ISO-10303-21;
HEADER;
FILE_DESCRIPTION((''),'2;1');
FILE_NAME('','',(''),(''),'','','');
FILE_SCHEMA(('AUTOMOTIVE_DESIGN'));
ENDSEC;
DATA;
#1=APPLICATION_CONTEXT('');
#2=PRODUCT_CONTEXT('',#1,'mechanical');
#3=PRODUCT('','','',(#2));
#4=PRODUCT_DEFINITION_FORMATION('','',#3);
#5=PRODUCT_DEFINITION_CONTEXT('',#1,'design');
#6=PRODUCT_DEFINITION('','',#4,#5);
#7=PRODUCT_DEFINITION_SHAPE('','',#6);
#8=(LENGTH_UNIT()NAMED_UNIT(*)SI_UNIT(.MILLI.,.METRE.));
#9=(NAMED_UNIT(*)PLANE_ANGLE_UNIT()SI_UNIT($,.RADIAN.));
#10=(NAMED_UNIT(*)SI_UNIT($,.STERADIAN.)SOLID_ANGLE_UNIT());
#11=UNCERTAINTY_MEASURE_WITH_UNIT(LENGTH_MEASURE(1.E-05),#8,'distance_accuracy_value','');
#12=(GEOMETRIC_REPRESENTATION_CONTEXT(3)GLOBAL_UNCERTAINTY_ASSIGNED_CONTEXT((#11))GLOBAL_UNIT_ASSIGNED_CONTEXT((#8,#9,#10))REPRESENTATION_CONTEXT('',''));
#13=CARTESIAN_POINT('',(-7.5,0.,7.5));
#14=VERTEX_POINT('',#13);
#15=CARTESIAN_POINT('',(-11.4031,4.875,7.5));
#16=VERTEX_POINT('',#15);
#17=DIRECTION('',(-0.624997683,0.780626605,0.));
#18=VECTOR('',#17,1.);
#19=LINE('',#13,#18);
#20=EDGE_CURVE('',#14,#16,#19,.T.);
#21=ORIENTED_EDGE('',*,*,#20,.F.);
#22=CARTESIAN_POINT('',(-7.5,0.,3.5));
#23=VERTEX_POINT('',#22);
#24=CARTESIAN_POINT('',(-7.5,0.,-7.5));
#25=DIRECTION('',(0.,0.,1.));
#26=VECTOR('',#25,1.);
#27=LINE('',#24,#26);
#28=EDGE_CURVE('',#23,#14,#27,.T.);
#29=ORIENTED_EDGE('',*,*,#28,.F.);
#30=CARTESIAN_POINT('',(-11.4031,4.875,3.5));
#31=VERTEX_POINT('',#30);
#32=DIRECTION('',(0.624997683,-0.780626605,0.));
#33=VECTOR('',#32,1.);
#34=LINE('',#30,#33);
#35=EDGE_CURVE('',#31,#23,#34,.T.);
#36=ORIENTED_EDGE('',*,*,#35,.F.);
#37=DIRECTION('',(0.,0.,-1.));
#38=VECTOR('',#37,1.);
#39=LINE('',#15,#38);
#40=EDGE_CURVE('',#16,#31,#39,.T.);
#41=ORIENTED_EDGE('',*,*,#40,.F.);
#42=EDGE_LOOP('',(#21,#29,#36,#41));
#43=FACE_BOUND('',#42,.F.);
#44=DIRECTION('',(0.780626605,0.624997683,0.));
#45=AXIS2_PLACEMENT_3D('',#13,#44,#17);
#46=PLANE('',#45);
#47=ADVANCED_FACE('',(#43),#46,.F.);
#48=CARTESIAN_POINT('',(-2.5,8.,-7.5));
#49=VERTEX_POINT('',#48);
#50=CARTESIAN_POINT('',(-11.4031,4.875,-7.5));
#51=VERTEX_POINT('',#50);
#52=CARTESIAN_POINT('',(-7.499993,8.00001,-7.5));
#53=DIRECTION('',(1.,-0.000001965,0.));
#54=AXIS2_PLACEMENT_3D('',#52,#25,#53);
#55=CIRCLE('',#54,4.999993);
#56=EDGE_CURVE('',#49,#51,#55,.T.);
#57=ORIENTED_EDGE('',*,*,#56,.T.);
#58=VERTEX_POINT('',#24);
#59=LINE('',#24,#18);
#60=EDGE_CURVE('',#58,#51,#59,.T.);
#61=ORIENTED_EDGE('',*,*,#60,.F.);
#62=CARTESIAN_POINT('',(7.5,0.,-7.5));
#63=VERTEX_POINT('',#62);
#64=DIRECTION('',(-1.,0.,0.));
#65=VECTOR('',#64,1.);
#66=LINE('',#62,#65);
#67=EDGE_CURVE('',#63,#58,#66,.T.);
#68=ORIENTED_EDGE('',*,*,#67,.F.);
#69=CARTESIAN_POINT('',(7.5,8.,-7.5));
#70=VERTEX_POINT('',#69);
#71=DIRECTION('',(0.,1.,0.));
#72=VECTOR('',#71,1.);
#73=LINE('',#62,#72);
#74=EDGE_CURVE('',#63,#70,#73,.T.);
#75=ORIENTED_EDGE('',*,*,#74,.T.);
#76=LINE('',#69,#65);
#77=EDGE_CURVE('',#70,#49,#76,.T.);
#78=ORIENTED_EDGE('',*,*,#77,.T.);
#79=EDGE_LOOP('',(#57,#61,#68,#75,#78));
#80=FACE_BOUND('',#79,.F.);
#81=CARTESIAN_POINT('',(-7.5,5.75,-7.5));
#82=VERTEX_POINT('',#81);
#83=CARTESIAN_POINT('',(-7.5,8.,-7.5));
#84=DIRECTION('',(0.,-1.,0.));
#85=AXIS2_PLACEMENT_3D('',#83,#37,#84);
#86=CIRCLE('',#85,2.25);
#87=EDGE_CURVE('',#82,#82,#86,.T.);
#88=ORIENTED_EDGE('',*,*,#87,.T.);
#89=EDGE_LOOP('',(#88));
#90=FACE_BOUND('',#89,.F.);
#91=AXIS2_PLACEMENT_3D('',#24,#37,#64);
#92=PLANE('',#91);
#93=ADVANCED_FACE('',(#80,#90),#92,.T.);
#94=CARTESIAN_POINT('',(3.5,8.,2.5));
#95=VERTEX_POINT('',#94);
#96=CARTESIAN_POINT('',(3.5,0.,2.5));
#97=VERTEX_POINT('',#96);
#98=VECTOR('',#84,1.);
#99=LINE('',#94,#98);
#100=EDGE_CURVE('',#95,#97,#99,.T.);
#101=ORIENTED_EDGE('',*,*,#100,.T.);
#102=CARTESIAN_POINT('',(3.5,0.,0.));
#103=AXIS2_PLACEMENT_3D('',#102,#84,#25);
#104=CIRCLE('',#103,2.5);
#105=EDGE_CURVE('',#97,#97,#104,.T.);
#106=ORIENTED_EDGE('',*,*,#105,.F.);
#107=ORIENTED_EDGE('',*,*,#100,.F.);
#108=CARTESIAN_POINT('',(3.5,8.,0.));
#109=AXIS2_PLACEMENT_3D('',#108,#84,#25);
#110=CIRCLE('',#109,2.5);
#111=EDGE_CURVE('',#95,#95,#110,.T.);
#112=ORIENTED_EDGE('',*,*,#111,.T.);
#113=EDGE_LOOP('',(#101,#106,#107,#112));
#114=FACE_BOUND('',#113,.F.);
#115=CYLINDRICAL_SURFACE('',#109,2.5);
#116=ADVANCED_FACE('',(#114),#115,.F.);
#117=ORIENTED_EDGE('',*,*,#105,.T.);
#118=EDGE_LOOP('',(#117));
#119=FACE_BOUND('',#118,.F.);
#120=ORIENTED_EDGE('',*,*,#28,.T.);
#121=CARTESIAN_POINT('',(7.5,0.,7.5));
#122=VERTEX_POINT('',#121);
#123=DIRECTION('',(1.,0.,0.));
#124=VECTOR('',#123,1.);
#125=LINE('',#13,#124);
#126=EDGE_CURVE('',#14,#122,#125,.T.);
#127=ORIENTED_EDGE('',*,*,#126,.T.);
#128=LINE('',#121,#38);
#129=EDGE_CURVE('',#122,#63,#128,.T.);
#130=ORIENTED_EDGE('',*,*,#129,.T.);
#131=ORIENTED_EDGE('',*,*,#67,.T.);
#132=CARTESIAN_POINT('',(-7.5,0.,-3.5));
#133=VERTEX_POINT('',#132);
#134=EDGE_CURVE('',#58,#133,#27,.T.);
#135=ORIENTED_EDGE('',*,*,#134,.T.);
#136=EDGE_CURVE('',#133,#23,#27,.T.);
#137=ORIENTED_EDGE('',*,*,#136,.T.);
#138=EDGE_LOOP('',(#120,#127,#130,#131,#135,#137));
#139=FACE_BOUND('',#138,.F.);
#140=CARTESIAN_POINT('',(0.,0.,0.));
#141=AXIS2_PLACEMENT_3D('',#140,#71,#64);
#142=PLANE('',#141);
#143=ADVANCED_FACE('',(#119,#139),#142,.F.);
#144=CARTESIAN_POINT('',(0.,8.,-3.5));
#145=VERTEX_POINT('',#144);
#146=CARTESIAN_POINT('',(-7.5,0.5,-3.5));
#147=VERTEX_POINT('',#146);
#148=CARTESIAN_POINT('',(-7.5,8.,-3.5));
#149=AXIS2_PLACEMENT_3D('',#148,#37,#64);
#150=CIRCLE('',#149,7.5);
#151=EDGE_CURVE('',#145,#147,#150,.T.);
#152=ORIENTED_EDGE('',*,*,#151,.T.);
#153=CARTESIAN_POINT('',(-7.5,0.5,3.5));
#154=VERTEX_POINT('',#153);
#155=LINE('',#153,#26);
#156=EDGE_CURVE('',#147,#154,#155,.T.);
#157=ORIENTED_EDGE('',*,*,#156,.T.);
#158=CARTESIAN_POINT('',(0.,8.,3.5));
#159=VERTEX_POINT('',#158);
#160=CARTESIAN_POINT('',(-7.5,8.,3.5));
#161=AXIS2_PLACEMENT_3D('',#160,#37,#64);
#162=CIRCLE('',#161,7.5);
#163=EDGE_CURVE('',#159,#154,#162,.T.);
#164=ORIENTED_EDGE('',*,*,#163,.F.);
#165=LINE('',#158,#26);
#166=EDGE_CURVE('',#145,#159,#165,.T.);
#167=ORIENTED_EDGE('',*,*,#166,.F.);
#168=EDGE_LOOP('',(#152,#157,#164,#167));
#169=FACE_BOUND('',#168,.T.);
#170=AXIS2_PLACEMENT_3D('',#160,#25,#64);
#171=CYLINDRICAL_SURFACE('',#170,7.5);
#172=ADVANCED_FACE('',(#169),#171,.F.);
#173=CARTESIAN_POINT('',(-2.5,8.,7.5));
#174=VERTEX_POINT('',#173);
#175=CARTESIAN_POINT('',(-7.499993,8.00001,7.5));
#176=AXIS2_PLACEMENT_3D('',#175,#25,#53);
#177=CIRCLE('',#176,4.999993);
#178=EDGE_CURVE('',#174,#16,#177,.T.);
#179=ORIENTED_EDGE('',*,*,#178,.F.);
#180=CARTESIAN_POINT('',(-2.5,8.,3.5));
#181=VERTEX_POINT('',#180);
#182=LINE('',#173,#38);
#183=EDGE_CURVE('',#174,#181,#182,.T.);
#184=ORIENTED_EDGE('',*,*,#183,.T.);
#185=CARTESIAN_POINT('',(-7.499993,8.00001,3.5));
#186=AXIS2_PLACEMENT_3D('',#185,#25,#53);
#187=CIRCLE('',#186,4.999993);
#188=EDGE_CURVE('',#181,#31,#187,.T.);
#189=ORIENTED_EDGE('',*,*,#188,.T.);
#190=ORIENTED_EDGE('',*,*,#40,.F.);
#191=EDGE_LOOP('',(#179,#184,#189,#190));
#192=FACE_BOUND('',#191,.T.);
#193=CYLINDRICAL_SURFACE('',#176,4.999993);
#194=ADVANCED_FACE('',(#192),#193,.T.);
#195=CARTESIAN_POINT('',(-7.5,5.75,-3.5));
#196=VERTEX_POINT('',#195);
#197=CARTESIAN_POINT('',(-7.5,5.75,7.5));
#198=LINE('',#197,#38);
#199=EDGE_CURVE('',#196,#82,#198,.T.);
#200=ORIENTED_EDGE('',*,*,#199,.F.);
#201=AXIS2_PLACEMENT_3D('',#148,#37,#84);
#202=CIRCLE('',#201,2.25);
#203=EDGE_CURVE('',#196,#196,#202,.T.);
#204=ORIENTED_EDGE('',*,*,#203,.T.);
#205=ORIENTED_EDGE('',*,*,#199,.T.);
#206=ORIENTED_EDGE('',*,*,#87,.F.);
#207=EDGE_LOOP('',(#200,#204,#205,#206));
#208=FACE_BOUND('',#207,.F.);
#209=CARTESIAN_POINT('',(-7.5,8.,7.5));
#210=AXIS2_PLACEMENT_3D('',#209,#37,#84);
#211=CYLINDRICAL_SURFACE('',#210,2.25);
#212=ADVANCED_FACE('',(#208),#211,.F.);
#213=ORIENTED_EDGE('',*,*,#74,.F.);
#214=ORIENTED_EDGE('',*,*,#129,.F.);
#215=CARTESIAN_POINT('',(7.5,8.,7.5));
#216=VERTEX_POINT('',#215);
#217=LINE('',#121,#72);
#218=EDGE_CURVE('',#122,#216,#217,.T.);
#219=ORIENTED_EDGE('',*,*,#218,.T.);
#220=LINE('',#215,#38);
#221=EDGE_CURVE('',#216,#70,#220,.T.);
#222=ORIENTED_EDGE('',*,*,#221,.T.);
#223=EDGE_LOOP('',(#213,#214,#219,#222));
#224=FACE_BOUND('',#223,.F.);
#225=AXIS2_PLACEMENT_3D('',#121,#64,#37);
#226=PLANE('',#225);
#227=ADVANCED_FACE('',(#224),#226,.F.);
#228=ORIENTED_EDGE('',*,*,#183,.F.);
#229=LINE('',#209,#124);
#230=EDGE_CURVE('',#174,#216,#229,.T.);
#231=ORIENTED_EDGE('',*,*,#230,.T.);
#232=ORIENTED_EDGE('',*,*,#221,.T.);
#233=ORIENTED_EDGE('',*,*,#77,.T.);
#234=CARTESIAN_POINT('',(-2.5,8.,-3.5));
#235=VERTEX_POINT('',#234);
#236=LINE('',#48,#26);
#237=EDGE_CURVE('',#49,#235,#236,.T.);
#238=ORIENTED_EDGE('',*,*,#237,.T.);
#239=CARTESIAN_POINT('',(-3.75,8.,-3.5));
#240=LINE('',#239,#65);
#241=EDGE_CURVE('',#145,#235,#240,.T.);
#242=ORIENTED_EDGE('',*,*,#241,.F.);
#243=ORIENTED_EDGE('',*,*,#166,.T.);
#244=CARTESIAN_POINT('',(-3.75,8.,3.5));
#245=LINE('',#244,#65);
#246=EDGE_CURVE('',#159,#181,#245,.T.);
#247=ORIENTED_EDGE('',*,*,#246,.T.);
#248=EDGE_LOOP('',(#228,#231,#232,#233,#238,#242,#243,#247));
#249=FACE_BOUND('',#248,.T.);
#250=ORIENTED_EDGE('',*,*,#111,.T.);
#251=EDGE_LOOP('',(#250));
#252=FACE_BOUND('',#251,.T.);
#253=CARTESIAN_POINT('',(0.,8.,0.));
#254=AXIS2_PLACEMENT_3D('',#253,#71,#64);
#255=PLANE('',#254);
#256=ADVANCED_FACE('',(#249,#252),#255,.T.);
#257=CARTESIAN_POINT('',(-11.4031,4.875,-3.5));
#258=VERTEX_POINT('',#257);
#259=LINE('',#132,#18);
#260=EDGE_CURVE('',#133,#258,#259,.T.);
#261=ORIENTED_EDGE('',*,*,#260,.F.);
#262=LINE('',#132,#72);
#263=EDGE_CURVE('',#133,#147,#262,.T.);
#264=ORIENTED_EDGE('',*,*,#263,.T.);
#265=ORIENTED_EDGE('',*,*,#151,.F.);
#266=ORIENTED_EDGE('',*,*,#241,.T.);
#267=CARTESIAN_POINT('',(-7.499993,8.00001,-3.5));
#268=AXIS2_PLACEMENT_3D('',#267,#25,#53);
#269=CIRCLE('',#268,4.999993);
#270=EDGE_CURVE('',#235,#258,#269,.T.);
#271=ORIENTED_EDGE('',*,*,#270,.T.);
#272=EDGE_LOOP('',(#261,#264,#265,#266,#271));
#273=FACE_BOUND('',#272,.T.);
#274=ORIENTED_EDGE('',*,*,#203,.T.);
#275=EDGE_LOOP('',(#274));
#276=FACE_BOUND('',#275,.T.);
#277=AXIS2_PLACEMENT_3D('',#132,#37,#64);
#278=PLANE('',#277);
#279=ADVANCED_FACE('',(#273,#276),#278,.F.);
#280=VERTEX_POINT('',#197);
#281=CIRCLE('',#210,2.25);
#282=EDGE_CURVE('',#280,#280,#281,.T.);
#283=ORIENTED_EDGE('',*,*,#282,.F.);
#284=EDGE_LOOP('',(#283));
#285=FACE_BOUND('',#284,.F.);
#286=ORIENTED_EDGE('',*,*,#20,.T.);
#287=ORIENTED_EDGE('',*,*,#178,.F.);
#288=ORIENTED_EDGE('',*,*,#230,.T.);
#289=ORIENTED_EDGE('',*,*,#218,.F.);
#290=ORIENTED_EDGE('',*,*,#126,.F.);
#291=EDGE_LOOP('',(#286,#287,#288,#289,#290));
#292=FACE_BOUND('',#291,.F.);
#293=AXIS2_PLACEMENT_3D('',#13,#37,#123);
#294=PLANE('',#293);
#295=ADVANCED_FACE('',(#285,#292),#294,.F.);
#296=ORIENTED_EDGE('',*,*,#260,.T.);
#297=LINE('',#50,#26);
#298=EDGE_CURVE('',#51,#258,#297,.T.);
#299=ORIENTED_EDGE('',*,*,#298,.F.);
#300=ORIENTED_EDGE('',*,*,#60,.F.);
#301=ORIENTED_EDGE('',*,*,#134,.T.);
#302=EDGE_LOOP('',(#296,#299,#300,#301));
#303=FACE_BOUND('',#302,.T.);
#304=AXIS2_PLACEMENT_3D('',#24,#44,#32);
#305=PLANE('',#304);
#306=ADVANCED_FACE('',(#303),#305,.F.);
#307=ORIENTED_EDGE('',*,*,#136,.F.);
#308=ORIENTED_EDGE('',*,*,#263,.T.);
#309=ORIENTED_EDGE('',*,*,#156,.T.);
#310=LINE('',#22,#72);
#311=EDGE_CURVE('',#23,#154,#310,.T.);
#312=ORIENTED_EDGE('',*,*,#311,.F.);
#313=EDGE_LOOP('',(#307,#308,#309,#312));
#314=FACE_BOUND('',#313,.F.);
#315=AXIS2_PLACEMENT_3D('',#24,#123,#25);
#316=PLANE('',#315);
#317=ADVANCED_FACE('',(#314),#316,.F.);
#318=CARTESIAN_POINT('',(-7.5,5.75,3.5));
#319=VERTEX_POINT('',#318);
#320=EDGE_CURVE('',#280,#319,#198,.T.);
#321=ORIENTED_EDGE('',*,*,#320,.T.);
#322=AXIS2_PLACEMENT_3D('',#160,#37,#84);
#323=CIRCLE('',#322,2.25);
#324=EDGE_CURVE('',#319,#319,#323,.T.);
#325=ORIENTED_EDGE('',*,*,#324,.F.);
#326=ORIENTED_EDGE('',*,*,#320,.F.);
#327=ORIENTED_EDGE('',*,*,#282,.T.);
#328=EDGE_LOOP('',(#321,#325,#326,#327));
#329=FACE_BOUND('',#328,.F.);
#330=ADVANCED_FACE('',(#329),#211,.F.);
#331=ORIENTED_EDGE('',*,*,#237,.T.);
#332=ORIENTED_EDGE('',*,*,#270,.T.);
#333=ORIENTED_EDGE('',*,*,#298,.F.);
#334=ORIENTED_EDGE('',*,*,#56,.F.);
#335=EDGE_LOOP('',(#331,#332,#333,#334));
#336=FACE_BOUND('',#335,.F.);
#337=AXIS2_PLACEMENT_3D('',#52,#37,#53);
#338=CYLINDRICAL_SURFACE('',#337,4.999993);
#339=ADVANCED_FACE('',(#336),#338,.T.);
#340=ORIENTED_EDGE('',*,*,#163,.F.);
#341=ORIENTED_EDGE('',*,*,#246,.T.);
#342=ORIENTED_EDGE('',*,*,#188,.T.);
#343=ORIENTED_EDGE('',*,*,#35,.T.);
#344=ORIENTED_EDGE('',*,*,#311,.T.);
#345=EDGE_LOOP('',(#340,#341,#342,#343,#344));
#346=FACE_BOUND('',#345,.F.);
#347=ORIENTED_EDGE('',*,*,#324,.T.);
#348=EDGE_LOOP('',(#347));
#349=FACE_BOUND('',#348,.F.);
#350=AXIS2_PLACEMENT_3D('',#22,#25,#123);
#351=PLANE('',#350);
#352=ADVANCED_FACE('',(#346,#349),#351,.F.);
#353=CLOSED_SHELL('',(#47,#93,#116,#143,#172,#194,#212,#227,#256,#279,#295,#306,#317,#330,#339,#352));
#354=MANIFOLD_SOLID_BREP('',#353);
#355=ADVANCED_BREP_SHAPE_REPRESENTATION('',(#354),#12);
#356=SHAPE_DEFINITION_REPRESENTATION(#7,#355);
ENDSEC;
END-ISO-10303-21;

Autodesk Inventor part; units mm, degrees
ref_plane "YZ Plane" through (0, 0, 0) normal (1, 0, 0) x (0, 1, 0)
ref_plane "XZ Plane" through (0, 0, 0) normal (0, 1, 0) x (-1, 0, 0)
ref_plane "XY Plane" through (0, 0, 0) normal (0, 0, 1) x (1, 0, 0)
sketch "Sketch1" plane through (0, 0, 0) normal (0, 1, 0) x (-1, 0, 0)
  line L0 (7.5, 7.5) -> (-7.5, 7.5)
  line L1 (-7.5, 7.5) -> (-7.5, -7.5)
  line L2 (-7.5, -7.5) -> (7.5, -7.5)
  line L3 (7.5, -7.5) -> (7.5, 7.5)
  line L4 (7.5, 7.5) -> (-7.5, -7.5) construction
  line L5 (-7.5, 7.5) -> (7.5, -7.5) construction
  point P0 (0, 0)
  dimension "d0" = 15
  dimension "d1" = 15
extrude "Extrusion1" add sketch "Sketch1" along normal blind 8
sketch "Sketch2" plane through (-7.5, 0, 7.5) normal (0, 0, 1) x (1, 0, 0)
  line L0 (0, 8) -> (15, 8) projected
  arc A0 (5, 8) -> (-3.9031, 4.875) centre (0, 8) ccw
  line L1 (0, 0) -> (-3.9031, 4.875)
  line L2 (0, 0) -> (0, 8) projected
  point P0 (7.5, 0)
  dimension "d4" = 10
extrude "Extrusion2" add sketch "Sketch2" against normal blind 4
mirror "Mirror1" about plane through (0, 0, 0) normal (0, 0, 1) of "Extrusion2"
sketch "Sketch3" plane through (-7.5, 0, 3.5) normal (0, 0, -1) x (-1, 0, 0)
  arc A0 (3.9031, 4.875) -> (-5, 8) centre (0, 8) ccw projected
  circle A1 centre (0, 8) radius 7.5
  point P0 (-7.5, 0)
  dimension "d7" = 15
extrude "Extrusion3" cut sketch "Sketch3" along normal up to surface (7 mm away)
sketch "Sketch4" plane through (7.5, 0, 7.5) normal (0, 0, 1) x (1, 0, 0)
  arc A0 (-10, 8) -> (-18.9031, 4.875) centre (-15, 8) ccw projected
  point P0 (-7.5, 0)
hole "Hole1" at (-7.5, 8, 7.5) direction (0, 0, -1) diameter 4.5 end through all
sketch "Sketch5" plane through (0, 8, 0) normal (0, 1, 0) x (1, 0, 0)
  line L0 (7.5, -7.5) -> (7.5, 7.5) projected
  point P0 (0, 0)
  point P1 (3.5, 0)
  dimension "d17" = 4
hole "Hole2" at (3.5, 8, 0) direction (0, -1, 0) diameter 5 end through all
properties part number "Piston Wall Guide Small" material "ABS Plastic"
